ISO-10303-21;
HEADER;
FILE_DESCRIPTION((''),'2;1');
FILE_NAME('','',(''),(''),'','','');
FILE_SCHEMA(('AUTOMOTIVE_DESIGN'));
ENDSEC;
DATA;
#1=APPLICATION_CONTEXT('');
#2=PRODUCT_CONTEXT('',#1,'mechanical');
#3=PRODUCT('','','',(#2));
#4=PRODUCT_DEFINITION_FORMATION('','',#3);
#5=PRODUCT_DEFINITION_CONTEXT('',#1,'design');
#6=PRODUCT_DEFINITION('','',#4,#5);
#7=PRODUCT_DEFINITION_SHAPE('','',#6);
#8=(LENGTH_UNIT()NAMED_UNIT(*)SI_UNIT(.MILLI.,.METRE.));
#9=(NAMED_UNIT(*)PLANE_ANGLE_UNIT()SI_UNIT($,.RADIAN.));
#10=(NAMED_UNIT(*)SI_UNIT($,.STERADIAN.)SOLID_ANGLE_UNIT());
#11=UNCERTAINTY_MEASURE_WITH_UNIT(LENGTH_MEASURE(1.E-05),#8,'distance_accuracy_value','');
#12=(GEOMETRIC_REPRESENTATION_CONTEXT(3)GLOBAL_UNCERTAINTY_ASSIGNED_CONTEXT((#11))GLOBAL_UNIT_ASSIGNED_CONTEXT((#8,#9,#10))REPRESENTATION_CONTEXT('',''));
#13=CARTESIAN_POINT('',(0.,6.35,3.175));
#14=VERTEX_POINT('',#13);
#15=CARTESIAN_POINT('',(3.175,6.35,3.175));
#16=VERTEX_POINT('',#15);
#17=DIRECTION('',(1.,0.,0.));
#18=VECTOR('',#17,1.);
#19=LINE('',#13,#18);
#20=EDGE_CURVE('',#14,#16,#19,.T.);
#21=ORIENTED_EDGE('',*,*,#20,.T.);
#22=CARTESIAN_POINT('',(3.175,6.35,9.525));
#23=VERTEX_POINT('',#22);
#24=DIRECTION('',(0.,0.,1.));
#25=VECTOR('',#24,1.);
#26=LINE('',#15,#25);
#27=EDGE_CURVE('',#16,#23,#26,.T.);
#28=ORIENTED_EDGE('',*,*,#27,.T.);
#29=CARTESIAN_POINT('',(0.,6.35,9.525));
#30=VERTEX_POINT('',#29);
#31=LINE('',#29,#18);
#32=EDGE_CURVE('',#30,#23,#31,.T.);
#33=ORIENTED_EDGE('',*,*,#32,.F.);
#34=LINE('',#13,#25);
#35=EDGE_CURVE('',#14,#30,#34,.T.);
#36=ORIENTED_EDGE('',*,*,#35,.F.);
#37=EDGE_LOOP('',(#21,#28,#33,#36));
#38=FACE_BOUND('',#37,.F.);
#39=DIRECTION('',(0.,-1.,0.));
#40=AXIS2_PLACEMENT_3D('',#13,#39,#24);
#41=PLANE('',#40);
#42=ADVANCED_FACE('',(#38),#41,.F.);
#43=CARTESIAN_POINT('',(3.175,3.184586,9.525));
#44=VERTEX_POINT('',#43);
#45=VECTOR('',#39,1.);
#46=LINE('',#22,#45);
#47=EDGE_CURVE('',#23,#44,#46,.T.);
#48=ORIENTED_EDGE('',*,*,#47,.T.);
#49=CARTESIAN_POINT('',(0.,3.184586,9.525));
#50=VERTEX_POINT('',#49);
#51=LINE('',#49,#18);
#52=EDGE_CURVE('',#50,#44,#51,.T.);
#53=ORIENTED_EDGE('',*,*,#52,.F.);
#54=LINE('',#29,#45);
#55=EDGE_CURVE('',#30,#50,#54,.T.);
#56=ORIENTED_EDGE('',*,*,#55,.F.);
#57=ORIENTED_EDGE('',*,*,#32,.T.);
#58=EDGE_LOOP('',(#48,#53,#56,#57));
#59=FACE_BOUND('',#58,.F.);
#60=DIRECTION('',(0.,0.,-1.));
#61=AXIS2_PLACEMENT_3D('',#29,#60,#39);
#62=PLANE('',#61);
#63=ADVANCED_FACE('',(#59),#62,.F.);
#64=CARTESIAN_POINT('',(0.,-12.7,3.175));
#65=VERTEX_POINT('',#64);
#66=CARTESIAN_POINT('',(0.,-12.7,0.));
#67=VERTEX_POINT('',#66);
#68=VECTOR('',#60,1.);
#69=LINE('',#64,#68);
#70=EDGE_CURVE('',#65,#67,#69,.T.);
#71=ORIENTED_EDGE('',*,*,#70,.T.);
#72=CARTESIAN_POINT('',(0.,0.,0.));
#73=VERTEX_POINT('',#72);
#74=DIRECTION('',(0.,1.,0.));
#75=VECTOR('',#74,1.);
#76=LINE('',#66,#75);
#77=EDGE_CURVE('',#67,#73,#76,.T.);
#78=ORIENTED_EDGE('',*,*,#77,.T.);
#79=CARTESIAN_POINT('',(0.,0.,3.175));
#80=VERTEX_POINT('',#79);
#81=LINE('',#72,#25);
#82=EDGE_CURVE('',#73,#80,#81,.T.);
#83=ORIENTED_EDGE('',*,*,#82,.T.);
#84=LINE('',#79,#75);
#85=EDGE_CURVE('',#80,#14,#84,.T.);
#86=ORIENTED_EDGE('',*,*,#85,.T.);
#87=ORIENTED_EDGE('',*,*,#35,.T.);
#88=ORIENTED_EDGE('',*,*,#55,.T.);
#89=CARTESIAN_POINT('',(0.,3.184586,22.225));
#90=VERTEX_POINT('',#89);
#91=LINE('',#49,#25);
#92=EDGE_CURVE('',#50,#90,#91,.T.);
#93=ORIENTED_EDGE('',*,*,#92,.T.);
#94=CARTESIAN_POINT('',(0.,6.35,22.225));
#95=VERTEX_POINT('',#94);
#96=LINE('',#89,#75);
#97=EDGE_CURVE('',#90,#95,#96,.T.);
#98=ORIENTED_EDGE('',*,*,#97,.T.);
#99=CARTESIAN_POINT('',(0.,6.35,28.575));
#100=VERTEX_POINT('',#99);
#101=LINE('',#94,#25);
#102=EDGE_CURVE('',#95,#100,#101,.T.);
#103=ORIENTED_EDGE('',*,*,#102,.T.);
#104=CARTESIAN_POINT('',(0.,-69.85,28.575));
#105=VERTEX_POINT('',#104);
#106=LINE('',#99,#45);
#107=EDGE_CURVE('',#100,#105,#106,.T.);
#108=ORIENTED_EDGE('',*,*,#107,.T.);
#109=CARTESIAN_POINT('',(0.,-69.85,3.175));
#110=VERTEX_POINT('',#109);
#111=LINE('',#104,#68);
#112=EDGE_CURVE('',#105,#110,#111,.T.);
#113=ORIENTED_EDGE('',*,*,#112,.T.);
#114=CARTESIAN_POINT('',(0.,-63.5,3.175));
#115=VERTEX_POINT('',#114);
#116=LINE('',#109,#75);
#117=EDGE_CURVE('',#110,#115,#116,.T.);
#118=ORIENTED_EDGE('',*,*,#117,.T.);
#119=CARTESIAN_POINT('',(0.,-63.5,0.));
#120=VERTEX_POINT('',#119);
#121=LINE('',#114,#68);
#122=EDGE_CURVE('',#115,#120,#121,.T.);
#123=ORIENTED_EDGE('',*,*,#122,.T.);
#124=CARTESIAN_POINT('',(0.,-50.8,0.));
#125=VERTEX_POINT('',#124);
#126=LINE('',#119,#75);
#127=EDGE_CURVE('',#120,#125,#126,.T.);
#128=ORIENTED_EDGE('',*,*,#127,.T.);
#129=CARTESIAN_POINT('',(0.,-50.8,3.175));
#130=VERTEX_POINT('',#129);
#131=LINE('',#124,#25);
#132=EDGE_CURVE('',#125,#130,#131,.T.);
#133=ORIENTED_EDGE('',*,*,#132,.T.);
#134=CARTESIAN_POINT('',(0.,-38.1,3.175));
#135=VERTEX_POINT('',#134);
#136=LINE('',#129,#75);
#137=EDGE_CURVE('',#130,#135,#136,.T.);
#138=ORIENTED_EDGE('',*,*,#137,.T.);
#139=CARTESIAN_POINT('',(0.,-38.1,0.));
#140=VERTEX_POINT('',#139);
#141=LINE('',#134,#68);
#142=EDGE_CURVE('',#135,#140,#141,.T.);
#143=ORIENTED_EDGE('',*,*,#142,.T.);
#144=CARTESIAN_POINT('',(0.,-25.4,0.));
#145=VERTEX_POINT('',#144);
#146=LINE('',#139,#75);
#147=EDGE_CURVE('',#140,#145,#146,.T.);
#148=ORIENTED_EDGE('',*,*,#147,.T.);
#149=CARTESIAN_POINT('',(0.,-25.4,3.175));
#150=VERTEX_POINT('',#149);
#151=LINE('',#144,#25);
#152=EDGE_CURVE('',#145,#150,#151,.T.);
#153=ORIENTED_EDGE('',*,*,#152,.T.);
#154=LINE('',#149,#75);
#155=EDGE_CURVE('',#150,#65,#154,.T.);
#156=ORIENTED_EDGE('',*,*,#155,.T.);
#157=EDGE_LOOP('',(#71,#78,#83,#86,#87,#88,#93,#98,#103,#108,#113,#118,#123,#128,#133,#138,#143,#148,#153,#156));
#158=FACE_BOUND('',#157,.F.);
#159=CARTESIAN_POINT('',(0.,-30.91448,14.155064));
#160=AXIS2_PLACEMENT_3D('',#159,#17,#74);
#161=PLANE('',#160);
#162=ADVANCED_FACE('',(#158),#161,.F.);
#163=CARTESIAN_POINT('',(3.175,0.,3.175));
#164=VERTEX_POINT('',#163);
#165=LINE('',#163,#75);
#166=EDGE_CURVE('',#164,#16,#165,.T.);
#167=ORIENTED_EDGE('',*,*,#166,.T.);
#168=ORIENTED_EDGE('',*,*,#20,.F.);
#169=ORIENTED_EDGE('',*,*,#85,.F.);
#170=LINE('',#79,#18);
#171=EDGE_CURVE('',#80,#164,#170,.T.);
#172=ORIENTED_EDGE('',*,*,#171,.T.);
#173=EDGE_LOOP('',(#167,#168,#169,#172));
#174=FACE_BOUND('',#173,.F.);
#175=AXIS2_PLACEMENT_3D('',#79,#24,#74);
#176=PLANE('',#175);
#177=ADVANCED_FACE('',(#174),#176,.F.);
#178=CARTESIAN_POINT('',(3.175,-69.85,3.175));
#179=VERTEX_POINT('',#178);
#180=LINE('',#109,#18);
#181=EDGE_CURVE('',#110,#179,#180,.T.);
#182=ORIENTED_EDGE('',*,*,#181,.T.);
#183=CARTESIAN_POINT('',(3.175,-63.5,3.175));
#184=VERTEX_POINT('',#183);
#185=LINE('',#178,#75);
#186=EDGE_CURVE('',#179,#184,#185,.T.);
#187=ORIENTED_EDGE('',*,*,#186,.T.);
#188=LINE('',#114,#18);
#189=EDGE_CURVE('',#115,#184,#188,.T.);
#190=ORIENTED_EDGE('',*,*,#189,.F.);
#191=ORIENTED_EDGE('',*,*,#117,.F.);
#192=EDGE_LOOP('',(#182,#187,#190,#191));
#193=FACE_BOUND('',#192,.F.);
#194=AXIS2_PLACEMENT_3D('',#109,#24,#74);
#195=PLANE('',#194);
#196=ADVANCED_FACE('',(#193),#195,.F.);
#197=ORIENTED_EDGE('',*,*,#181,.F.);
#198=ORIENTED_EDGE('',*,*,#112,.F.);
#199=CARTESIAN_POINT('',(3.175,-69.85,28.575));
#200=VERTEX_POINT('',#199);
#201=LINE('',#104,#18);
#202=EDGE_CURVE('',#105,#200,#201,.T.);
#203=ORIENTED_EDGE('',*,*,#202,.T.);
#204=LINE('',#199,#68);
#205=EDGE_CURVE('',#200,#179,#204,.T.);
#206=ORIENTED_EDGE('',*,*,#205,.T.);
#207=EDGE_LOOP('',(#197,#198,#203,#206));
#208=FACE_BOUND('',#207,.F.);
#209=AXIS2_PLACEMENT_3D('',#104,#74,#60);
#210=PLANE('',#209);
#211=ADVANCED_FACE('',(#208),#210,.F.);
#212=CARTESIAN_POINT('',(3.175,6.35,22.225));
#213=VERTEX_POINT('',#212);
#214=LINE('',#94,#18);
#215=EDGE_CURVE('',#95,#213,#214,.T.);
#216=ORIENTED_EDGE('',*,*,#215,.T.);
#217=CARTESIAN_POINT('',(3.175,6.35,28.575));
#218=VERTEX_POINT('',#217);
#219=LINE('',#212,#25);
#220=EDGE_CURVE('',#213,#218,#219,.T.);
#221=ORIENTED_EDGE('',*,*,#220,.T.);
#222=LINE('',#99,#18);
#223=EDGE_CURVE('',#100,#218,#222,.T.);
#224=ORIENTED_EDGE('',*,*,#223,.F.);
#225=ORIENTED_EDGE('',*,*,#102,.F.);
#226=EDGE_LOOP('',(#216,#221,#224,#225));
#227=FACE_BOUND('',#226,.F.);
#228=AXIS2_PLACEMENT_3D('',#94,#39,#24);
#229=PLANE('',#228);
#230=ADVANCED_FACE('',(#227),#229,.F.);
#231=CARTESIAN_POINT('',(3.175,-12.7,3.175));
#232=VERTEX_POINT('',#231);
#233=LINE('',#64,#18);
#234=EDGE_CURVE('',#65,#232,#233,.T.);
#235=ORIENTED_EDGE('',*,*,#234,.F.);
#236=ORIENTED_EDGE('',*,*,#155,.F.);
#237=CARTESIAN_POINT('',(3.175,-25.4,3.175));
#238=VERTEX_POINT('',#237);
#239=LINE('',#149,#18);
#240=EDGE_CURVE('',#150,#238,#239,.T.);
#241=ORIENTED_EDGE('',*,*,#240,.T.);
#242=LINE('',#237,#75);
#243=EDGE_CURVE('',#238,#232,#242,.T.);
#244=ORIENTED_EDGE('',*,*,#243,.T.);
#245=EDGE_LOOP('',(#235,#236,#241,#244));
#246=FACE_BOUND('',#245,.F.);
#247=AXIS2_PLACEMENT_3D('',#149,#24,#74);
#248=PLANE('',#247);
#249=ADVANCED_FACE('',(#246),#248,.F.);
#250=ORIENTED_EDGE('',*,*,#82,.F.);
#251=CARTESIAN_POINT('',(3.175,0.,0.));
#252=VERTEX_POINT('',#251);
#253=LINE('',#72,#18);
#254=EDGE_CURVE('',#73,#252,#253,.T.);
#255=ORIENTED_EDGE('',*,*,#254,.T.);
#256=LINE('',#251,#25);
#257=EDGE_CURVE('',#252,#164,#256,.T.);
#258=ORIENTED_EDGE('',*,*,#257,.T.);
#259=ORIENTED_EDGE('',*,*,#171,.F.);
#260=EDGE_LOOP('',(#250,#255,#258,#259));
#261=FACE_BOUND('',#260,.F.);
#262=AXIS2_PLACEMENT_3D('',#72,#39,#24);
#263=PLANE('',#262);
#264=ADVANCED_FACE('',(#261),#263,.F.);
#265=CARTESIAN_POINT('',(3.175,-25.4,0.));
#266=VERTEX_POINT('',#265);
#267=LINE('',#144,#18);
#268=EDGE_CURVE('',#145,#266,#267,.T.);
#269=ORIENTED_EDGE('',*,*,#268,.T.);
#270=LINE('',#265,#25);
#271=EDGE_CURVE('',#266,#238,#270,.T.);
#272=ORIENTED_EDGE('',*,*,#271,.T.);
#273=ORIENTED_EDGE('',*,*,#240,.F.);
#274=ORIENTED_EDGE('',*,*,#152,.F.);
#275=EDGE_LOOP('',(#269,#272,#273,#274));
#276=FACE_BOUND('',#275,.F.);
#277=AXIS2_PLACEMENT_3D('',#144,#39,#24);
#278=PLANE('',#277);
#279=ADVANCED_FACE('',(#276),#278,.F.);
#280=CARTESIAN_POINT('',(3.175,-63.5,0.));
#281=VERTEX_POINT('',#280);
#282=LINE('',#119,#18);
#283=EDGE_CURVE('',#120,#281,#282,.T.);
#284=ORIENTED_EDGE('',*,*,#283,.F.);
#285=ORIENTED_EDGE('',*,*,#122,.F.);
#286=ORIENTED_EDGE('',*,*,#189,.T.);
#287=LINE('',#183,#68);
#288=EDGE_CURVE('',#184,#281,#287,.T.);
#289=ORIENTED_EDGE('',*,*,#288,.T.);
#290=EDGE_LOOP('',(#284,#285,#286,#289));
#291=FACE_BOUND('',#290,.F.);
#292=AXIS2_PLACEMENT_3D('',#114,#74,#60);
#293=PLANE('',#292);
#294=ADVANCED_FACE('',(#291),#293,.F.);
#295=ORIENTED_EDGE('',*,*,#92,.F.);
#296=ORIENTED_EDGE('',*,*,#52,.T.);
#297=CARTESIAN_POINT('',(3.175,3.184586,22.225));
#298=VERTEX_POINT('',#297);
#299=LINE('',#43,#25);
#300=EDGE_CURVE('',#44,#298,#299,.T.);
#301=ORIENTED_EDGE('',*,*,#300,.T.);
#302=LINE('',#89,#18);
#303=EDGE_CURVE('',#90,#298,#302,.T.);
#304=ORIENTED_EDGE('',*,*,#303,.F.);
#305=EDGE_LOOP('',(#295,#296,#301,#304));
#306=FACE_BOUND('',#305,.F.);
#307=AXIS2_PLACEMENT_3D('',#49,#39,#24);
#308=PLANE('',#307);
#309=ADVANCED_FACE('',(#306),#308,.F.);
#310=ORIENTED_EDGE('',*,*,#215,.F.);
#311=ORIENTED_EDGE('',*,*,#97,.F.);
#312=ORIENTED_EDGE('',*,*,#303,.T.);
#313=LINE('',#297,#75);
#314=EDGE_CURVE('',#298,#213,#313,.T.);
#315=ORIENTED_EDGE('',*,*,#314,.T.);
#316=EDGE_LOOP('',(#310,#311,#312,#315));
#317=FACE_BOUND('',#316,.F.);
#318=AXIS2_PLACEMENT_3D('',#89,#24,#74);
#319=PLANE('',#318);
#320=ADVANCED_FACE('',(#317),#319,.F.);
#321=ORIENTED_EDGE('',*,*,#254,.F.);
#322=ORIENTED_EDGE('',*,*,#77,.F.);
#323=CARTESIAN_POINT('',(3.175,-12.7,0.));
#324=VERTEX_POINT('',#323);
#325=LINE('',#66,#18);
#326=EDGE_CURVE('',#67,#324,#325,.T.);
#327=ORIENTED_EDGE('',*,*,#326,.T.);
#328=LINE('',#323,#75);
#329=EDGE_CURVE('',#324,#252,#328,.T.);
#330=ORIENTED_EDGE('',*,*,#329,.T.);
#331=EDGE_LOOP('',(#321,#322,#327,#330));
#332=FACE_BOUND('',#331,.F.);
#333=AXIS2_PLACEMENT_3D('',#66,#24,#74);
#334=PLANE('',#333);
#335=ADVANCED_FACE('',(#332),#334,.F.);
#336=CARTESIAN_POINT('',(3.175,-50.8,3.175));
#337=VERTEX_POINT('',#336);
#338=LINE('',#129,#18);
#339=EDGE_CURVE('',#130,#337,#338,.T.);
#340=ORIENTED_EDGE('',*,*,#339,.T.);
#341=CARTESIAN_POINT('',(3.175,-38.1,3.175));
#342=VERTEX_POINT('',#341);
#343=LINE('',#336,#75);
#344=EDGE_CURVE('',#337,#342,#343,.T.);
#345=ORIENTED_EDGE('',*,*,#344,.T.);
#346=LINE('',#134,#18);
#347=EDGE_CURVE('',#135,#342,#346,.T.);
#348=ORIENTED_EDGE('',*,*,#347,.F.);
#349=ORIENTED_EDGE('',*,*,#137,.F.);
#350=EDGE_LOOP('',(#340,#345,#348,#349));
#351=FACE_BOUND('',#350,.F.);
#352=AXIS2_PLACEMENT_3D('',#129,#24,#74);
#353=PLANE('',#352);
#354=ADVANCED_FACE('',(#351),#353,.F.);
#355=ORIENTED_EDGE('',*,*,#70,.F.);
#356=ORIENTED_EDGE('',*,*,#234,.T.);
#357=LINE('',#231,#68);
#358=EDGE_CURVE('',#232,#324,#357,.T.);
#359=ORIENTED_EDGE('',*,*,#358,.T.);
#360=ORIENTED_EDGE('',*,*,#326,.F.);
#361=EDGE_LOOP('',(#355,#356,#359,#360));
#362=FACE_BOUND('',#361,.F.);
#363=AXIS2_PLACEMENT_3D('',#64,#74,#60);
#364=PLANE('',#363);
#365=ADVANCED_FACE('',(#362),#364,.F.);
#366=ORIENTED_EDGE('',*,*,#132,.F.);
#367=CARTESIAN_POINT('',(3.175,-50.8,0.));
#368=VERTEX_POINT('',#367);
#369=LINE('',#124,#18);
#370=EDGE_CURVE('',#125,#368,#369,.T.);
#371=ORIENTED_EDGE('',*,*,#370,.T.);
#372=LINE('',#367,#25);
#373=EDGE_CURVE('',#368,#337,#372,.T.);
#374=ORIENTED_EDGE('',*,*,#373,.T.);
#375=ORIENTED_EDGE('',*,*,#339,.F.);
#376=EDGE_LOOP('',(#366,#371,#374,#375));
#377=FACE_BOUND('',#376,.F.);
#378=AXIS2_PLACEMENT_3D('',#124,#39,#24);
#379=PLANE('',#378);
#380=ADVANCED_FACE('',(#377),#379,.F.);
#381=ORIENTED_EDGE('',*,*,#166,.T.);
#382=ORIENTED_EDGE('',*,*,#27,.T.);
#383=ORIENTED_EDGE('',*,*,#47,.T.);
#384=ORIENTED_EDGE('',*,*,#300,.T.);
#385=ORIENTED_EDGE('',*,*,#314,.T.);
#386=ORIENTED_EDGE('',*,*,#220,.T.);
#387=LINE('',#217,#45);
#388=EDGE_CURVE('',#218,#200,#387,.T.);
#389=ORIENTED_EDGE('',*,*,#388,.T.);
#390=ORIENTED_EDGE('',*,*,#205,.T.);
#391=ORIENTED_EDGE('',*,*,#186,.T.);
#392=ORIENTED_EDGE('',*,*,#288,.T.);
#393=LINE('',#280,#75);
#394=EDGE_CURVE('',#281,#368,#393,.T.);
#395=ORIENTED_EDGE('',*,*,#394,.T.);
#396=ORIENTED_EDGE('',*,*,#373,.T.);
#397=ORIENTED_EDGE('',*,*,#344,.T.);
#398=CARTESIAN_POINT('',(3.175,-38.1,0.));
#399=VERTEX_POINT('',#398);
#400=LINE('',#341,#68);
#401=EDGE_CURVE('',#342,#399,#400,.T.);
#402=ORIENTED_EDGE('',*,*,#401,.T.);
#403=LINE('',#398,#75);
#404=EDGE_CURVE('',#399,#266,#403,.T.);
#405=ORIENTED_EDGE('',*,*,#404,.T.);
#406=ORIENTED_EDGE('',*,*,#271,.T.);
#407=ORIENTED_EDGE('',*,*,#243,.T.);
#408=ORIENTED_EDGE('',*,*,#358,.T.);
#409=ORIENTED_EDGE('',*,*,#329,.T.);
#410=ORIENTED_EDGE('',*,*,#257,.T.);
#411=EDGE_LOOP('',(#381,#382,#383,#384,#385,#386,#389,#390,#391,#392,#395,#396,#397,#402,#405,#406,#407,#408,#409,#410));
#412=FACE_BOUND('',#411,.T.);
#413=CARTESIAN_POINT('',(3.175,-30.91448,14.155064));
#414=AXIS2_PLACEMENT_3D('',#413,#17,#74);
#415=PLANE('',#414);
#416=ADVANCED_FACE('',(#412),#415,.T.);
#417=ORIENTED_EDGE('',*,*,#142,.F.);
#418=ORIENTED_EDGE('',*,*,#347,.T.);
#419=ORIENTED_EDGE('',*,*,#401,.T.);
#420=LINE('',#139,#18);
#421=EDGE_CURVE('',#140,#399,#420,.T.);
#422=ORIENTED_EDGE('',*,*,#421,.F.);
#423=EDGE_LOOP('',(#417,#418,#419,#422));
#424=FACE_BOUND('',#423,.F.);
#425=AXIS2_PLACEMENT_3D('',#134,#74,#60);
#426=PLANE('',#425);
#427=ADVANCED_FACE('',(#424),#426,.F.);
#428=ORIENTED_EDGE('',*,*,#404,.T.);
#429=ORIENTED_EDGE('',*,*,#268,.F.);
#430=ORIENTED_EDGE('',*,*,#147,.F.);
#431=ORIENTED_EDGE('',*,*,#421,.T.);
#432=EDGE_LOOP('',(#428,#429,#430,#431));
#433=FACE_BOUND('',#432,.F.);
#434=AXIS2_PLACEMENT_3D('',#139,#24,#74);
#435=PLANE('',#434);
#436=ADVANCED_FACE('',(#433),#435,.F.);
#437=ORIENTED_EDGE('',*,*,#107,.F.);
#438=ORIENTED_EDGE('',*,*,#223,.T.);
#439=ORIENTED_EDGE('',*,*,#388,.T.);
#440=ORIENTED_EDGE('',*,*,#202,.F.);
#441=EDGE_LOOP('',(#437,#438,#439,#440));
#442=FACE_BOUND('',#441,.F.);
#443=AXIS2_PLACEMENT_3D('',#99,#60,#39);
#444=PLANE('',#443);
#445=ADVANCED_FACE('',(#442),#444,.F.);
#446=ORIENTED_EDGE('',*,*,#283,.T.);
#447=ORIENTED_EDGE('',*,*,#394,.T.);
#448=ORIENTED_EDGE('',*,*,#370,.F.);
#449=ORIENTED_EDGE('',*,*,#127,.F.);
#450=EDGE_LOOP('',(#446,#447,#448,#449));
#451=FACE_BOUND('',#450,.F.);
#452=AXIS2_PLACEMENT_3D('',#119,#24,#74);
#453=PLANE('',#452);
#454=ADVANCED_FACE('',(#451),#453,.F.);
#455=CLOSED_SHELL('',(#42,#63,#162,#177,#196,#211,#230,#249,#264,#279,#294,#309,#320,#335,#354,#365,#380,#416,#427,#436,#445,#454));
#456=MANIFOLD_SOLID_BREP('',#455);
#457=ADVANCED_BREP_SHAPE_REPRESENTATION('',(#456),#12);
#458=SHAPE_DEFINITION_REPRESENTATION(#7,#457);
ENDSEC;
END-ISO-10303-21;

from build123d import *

# Parameters (mm, degrees)
F1_DEPTH = 3.175


with BuildPart() as f1:
    # F0 (on Right) → F1 (new body)
    with BuildSketch(Plane.YZ):
        Polygon((-12.7, 0), (0, 0), (0, 3.175), (6.35, 3.175), (6.35, 9.525), (3.184586, 9.525), (3.184586, 22.225), (6.35, 22.225), (6.35, 28.575), (-69.85, 28.575), (-69.85, 3.175), (-63.5, 3.175), (-63.5, 0), (-50.8, 0), (-50.8, 3.175), (-38.1, 3.175), (-38.1, 0), (-25.4, 0), (-25.4, 3.175), (-12.7, 3.175), align=None)
    extrude(amount=F1_DEPTH)


solid = f1.part
